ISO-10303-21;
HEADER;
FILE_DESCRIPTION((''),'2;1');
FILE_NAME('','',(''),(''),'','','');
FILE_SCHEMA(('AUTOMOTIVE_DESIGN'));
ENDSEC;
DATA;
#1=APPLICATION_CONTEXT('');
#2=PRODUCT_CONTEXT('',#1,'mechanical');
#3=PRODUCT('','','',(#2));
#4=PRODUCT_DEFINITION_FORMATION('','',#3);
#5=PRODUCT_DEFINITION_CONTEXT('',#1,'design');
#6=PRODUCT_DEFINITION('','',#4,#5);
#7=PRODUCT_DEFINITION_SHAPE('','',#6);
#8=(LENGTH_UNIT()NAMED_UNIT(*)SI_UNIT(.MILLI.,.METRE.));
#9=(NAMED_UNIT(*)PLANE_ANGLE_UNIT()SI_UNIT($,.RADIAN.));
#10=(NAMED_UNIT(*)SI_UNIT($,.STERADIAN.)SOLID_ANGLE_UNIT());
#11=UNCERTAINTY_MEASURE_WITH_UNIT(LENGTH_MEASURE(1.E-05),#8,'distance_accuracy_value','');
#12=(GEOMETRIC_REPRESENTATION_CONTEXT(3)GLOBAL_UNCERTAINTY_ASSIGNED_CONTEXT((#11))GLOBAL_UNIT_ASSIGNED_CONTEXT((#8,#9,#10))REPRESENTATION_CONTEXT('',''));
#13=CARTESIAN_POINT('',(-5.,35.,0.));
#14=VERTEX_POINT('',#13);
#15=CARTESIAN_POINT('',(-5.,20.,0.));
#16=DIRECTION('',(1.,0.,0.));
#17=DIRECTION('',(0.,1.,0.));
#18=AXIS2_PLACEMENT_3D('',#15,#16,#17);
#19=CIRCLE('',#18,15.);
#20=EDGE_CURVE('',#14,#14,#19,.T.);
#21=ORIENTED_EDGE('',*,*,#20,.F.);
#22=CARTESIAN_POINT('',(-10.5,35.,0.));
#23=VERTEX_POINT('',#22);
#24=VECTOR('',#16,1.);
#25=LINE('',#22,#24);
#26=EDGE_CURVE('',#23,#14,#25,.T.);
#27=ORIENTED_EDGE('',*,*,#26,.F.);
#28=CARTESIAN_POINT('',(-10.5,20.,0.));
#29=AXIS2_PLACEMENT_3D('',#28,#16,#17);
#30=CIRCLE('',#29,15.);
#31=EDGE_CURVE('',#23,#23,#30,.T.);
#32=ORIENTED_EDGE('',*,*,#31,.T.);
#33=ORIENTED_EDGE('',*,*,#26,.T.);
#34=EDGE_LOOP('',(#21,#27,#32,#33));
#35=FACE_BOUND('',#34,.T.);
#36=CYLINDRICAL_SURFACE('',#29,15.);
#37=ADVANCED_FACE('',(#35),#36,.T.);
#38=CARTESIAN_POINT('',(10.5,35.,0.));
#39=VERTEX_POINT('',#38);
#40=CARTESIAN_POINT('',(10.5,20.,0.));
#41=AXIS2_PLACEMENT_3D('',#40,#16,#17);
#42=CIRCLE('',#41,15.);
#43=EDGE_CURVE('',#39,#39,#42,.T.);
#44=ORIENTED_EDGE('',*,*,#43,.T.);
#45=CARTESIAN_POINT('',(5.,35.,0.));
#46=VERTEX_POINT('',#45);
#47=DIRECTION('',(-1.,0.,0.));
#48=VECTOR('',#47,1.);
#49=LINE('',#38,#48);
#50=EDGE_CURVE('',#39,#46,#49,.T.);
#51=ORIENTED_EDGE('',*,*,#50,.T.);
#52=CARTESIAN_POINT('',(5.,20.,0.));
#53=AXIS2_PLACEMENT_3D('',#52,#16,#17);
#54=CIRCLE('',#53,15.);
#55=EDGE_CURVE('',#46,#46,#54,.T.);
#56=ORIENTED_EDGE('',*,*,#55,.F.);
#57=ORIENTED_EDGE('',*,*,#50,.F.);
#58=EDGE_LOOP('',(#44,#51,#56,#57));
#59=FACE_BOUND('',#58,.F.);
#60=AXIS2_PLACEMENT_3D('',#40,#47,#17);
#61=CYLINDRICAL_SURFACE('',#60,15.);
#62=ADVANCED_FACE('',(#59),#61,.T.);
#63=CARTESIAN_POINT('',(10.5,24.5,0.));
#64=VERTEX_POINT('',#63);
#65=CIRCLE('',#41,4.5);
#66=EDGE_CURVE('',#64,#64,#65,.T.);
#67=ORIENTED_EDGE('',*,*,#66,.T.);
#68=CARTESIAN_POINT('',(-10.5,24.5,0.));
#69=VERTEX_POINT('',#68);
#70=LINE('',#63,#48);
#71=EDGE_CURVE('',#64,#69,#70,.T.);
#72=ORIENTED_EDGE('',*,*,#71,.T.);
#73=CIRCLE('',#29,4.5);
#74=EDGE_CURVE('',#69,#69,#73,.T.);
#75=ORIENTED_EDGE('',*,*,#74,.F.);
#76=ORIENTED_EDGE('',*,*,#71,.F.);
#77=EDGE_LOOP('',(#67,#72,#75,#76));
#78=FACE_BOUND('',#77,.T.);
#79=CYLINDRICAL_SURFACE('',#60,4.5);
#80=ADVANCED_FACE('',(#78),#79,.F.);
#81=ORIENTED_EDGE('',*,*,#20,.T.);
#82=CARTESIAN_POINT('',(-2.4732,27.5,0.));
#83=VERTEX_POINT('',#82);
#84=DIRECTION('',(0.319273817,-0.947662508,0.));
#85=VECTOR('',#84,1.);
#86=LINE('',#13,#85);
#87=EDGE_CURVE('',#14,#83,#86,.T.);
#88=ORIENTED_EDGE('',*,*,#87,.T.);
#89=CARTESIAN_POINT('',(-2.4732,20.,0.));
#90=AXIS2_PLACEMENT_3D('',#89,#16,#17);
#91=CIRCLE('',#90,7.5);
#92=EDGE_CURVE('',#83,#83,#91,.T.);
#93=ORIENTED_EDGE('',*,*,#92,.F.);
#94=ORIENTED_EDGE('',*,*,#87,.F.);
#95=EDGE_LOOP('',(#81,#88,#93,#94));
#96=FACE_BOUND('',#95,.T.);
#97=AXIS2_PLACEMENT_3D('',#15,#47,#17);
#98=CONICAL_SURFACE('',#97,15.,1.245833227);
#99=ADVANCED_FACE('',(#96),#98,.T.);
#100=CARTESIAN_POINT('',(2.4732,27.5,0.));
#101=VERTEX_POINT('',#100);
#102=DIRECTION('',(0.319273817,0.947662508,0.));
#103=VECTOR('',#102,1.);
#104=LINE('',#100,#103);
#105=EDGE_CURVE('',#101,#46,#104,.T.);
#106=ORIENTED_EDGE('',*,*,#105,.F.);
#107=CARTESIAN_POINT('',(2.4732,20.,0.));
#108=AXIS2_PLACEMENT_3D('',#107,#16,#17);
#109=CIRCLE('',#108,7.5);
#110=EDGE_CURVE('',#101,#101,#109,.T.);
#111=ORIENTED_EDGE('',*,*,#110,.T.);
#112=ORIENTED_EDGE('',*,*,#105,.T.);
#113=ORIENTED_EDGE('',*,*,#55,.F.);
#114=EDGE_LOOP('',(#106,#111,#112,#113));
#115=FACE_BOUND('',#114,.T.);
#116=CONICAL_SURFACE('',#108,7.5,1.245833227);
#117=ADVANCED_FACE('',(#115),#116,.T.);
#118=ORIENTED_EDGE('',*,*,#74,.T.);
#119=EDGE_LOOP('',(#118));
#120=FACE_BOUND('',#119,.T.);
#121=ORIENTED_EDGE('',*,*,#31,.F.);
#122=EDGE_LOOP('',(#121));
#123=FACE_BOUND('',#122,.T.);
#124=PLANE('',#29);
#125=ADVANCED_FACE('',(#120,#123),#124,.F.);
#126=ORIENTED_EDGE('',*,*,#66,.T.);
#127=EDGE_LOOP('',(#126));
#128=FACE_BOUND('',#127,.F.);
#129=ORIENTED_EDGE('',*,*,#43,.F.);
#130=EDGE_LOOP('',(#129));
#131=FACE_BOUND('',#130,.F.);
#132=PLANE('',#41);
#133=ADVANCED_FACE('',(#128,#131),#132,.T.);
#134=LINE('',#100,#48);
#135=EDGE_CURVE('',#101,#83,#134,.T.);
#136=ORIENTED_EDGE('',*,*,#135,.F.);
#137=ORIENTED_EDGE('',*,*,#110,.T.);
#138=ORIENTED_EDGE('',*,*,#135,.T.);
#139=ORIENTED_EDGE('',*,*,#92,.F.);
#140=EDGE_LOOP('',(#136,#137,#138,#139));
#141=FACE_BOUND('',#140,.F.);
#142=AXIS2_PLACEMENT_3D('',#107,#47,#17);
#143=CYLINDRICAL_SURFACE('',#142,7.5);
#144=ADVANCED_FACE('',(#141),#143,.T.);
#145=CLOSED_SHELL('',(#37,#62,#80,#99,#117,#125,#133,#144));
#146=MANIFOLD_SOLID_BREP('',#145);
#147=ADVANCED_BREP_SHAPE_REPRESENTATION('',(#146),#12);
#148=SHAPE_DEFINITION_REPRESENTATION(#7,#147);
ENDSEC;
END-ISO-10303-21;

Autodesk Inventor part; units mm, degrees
ref_plane "YZ Plane" through (0, 0, 0) normal (1, 0, 0) x (0, 1, 0)
ref_plane "XZ Plane" through (0, 0, 0) normal (0, 1, 0) x (-1, 0, 0)
ref_plane "XY Plane" through (0, 0, 0) normal (0, 0, 1) x (1, 0, 0)
sketch "Sketch1" plane through (0, 0, 0) normal (0, 0, 1) x (1, 0, 0)
  line L0 (10.5, 24.5) -> (-10.5, 24.5)
  line L1 (-10.5, 24.5) -> (-10.5, 35)
  line L2 (10.5, 24.5) -> (10.5, 35)
  line L3 (-10.5, 35) -> (-5, 35)
  line L4 (10.5, 35) -> (5, 35)
  line L5 (2.4732, 27.5) -> (-2.4732, 27.5)
  line L6 (-5, 35) -> (6.4911, 35) construction
  line L7 (5, 35) -> (16.4911, 35) construction
  line L8 (-25.5367, 20) -> (30.733, 20)
  line L9 (-5, 35) -> (-2.4732, 27.5)
  line L10 (2.4732, 27.5) -> (5, 35)
  point P0 (0, 0)
  dimension "d2" = 21
  dimension "d4" = 5.5
  dimension "d5" = 5.5
  dimension "d44" = 9
  dimension "d48" = 15
  dimension "d49" = 30
  dimension "d50" = 30
revolve "Revolution1" add sketch "Sketch1" angle 360 about axis through (-25.5367, 20, 0) along (1, 0, 0)
properties part number "Pulley" material "ABS Plastic"
